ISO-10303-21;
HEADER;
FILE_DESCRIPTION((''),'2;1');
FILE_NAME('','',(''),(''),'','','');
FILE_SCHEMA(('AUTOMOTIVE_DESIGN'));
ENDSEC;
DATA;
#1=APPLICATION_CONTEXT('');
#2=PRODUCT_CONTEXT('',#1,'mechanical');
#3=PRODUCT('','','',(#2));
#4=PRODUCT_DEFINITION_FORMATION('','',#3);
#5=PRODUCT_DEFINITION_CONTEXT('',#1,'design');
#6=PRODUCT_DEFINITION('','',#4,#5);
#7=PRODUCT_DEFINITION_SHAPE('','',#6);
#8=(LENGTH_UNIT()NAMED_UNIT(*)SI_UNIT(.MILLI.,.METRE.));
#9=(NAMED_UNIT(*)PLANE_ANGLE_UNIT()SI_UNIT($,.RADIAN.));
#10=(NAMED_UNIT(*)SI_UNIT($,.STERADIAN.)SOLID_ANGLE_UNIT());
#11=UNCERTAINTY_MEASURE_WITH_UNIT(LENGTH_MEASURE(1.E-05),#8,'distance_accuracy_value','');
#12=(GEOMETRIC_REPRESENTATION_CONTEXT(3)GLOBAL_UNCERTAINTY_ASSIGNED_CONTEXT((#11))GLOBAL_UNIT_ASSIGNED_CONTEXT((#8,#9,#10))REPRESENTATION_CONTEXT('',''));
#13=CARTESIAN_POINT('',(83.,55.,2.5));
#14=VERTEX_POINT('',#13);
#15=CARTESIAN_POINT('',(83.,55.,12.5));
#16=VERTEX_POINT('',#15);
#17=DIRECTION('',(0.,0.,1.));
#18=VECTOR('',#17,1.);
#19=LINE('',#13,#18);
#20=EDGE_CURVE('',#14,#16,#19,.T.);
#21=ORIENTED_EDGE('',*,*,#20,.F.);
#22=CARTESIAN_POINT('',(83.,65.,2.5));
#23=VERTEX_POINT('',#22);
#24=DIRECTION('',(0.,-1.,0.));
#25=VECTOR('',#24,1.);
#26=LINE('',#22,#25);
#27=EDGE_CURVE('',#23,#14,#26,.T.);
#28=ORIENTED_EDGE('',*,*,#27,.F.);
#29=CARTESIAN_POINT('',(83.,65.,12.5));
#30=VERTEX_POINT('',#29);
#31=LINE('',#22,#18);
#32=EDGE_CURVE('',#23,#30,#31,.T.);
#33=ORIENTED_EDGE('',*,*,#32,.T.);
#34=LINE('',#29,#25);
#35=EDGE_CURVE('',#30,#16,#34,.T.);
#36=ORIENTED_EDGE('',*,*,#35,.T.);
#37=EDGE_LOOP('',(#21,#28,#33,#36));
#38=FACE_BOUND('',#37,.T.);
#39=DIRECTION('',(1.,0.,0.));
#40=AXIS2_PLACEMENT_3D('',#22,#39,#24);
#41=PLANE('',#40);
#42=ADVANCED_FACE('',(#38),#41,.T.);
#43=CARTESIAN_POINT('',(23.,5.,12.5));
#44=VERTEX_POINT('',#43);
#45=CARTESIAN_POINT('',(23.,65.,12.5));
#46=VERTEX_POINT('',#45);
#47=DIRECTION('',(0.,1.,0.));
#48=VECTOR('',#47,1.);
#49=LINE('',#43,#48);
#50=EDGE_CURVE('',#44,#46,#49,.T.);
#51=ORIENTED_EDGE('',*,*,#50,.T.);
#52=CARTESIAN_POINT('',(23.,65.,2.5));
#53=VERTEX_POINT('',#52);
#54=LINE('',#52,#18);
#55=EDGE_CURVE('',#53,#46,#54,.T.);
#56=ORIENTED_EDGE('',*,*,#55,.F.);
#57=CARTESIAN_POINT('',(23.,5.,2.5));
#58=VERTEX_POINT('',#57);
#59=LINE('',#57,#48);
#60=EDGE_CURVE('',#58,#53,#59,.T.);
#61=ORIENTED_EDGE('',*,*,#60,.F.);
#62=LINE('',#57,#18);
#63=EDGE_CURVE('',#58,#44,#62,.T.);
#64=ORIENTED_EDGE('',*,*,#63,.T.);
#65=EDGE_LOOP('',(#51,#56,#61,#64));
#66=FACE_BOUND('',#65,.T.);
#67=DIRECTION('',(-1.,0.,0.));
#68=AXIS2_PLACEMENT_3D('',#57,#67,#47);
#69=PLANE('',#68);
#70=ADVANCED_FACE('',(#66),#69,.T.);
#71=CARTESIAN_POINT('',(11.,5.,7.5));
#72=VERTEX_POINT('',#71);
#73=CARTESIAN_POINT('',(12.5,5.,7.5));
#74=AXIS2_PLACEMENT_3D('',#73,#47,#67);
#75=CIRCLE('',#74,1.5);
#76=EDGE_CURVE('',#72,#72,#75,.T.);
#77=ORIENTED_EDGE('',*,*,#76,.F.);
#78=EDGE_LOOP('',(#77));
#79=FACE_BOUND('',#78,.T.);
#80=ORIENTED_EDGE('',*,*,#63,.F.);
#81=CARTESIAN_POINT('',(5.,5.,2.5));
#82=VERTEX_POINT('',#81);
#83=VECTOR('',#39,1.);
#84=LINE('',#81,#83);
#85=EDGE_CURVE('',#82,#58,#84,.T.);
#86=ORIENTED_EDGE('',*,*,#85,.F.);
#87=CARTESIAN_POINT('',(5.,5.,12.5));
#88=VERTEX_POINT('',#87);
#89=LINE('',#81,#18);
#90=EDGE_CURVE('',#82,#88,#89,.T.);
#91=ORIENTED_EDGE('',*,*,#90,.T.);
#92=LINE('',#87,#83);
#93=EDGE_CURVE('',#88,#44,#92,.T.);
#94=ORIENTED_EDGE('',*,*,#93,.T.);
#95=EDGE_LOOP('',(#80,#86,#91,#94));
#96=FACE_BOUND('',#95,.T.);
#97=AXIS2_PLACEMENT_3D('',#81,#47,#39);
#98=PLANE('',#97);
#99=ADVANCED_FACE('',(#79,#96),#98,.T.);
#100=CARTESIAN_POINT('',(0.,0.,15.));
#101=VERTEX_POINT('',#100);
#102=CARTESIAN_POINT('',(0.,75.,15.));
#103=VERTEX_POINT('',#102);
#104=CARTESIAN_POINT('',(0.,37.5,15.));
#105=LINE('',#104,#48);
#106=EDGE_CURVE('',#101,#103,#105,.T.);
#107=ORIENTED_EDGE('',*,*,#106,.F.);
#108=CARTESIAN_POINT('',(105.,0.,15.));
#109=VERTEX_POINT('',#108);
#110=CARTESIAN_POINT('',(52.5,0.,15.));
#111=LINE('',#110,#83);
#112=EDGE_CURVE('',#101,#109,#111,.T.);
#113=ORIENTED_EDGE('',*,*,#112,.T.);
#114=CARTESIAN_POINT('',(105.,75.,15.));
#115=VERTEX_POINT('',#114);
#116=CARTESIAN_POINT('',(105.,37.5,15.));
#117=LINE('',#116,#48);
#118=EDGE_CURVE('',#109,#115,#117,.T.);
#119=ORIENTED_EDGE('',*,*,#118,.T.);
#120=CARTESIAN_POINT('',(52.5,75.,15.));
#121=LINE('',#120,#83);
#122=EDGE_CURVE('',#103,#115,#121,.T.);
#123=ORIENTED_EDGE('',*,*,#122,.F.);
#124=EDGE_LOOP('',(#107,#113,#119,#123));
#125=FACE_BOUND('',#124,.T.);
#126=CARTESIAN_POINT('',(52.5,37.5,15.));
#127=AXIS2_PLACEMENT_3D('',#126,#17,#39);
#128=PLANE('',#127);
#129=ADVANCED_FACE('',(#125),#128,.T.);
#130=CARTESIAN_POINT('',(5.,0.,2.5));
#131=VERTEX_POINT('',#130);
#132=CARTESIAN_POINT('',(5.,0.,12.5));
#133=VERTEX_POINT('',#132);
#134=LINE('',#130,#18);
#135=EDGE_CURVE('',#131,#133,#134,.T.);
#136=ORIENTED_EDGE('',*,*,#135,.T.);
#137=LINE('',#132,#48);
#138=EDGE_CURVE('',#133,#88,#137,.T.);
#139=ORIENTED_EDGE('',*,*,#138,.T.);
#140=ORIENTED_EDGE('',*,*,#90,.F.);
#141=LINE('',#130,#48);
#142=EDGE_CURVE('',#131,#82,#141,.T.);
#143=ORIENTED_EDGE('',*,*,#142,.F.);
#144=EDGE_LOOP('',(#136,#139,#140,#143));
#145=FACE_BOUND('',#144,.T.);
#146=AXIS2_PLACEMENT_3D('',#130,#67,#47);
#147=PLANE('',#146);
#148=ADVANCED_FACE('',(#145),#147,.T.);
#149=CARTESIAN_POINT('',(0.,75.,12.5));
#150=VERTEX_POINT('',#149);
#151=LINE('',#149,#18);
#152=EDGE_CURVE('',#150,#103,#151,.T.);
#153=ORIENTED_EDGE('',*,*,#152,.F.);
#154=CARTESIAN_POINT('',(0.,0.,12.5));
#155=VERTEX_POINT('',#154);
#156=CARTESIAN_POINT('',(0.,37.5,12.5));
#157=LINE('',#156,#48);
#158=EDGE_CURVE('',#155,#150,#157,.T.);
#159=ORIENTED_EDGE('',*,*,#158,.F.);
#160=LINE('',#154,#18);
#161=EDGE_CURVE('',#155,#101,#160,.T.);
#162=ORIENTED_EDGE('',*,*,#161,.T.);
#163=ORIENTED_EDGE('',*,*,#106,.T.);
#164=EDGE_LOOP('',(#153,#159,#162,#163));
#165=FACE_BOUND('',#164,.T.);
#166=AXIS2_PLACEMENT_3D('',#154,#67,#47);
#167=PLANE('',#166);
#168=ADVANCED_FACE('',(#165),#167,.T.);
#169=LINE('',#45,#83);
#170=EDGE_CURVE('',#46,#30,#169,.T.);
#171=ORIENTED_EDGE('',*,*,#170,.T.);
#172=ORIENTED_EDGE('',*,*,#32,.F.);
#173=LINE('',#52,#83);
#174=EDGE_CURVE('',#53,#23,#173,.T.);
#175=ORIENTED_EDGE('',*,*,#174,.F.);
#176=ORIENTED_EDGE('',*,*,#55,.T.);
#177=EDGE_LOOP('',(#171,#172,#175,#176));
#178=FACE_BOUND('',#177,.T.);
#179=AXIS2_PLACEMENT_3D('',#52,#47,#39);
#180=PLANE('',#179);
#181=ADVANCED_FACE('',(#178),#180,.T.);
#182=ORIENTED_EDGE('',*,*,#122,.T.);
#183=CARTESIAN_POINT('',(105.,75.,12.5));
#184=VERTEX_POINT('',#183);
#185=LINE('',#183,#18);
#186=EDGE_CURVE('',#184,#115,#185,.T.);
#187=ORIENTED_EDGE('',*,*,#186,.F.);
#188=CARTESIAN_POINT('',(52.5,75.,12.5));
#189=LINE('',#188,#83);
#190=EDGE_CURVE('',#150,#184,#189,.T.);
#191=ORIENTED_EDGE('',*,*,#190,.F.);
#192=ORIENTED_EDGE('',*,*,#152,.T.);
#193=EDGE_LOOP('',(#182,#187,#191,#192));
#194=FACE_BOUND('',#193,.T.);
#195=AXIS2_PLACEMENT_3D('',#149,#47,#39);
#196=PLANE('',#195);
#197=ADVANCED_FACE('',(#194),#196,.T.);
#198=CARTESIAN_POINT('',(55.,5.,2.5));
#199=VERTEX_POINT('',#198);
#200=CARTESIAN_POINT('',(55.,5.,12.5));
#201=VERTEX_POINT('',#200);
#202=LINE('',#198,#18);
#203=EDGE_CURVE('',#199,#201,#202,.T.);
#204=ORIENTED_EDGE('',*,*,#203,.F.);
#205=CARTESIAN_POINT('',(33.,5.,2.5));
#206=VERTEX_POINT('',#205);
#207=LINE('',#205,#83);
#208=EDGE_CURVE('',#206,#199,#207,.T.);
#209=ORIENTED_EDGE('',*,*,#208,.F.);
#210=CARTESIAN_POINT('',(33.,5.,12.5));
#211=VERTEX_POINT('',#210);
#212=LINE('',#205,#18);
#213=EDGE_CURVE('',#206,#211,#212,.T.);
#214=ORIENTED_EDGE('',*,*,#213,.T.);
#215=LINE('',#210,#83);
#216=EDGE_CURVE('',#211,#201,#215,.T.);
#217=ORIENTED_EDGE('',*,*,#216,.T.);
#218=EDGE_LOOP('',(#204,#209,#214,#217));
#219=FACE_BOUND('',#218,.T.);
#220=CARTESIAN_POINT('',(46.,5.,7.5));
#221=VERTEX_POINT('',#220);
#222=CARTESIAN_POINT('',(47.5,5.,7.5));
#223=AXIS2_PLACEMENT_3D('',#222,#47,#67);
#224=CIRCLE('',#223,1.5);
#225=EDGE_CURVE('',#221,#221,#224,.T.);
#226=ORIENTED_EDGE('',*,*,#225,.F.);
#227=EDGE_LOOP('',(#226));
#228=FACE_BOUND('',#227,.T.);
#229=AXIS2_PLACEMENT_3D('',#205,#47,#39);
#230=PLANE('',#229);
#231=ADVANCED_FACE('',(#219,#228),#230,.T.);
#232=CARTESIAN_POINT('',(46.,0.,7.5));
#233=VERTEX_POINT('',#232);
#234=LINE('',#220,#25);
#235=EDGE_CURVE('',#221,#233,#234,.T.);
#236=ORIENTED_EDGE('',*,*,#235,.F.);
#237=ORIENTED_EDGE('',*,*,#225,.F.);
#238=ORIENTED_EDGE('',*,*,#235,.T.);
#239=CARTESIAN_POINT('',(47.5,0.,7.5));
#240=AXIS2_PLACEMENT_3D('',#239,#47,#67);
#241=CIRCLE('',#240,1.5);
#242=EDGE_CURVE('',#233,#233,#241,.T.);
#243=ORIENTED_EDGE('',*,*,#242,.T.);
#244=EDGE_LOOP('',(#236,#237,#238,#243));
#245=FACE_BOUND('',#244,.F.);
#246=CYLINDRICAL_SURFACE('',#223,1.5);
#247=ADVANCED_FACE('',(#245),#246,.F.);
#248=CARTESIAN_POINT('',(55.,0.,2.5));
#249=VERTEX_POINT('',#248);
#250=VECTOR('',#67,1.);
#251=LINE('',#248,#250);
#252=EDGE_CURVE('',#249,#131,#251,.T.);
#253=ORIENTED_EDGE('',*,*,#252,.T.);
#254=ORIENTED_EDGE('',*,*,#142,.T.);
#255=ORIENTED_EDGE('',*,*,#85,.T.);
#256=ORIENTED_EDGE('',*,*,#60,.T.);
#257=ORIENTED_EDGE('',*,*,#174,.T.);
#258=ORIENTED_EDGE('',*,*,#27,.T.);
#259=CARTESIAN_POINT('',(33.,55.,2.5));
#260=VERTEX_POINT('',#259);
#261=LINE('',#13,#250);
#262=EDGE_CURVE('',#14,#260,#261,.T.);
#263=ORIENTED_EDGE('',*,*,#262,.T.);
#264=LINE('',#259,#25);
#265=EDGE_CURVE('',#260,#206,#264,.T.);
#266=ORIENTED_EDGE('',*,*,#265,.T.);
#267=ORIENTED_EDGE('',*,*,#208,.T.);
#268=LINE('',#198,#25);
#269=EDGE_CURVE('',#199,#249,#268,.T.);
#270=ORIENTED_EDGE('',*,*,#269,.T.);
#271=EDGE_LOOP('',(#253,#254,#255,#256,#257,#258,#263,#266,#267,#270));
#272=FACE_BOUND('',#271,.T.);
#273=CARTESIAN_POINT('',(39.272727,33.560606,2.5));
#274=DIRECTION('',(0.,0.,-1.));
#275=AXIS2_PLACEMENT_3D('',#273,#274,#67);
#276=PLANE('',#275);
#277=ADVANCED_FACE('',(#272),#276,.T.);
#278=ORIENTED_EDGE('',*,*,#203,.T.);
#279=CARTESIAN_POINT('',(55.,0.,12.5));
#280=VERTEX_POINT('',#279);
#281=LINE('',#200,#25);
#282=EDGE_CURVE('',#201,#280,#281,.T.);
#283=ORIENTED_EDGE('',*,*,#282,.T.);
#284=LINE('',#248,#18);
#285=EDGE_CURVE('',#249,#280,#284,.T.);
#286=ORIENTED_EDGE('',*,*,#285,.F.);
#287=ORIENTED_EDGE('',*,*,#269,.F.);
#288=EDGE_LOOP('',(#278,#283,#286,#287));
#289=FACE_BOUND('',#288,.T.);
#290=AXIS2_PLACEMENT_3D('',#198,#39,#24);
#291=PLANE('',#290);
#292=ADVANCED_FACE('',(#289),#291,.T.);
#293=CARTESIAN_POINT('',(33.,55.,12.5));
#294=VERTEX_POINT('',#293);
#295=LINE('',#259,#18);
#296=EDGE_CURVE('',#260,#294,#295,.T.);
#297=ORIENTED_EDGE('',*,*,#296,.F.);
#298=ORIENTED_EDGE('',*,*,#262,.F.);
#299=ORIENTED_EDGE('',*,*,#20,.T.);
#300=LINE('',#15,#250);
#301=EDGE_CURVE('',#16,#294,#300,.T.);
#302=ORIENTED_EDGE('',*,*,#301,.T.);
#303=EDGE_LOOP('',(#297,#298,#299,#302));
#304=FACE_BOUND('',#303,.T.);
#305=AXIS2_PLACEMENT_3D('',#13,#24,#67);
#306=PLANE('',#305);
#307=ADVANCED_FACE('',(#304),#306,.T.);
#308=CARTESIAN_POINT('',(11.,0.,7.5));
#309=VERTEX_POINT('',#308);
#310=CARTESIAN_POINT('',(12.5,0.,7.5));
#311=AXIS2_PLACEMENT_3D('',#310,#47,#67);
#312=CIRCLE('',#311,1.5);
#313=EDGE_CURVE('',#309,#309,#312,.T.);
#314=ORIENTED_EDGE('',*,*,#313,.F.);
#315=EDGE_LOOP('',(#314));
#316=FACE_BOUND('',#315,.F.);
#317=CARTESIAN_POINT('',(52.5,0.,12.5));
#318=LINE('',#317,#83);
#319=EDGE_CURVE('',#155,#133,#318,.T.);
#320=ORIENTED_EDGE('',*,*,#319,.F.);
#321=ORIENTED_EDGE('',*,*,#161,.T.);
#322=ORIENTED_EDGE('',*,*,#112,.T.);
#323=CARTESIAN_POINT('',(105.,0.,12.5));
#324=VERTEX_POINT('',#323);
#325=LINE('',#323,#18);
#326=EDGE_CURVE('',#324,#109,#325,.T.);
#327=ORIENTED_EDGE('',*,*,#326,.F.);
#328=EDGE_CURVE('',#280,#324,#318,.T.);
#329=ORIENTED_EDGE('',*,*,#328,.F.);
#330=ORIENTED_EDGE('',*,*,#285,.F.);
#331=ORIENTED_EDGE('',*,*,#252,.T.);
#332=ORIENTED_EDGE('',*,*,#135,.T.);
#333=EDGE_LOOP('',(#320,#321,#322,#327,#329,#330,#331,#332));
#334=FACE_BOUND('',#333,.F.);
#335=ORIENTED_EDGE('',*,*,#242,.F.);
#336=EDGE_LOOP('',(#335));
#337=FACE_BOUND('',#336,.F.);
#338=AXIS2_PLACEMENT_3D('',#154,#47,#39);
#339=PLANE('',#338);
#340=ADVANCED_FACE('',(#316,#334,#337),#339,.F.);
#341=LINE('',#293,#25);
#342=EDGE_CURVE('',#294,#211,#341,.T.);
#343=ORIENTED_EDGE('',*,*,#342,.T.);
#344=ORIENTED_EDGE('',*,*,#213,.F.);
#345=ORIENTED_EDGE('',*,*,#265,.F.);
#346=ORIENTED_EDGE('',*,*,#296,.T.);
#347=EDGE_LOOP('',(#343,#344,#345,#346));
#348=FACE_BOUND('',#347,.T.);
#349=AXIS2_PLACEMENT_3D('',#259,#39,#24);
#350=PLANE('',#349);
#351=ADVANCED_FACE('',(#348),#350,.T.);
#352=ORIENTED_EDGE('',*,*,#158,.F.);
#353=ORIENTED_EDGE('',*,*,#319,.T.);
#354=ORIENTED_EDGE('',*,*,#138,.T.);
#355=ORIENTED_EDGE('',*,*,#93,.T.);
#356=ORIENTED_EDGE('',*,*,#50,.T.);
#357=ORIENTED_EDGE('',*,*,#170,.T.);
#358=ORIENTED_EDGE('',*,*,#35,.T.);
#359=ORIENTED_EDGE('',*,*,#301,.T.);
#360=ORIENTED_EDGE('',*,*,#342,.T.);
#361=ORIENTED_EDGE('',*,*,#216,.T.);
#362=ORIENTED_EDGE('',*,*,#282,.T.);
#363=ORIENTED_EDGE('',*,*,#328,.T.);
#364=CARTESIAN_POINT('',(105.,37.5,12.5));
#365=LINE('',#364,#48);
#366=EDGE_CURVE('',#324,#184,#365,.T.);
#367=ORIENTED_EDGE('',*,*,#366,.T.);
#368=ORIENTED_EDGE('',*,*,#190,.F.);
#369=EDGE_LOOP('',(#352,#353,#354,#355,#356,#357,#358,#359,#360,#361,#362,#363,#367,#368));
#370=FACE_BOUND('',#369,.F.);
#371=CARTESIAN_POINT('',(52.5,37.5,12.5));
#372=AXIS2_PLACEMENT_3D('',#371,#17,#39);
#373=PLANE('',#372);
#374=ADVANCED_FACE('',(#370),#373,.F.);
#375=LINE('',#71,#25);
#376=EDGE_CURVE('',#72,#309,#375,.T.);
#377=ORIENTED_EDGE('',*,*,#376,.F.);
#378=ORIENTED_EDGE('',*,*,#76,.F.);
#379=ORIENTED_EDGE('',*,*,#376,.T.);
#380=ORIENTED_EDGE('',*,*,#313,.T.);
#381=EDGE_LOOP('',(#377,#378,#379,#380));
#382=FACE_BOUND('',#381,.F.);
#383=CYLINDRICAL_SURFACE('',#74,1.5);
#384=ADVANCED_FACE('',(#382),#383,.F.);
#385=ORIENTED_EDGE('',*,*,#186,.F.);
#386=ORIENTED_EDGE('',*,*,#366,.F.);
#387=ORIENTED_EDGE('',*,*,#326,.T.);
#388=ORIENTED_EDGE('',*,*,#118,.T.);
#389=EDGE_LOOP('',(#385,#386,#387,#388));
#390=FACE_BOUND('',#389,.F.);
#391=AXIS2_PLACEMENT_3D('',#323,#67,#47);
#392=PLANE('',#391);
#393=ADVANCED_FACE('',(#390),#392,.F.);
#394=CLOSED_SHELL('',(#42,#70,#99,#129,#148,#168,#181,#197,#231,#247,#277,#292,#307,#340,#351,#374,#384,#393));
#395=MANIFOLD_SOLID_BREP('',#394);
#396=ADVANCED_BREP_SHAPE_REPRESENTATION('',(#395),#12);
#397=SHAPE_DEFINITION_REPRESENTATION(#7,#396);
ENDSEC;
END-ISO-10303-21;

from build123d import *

# Parameters (mm, degrees)
PAD_DEPTH    = 10
SKETCH002_R  = 1.5
POCKET_DEPTH = 5.001
SKETCH_W     = 105
SKETCH_H     = 75
PAD001_DEPTH = 2.5


with BuildPart() as part:
    # Sketch001 → Pad (new body)
    with BuildSketch(Plane.XY.offset(2.5)):
        Polygon((5, 0), (5, 5), (23, 5), (23, 65), (83, 65), (83, 55), (33, 55), (33, 5), (55, 5), (55, 0), align=None)
    extrude(amount=PAD_DEPTH)

    # Sketch002 → Pocket (cut, through all)
    with BuildSketch(Plane(origin=(0, 5, 2.5), x_dir=(-1, 0, 0), z_dir=(0, 1, 0))):
        with Locations((-12.5, 5)):
            Circle(SKETCH002_R)
        with Locations((-47.5, 5)):
            Circle(SKETCH002_R)
    extrude(amount=-POCKET_DEPTH, mode=Mode.SUBTRACT)

    # Sketch → Pad001 (new body)
    with BuildSketch(Plane.XY.offset(12.5)):
        with Locations((52.5, 37.5)):
            Rectangle(SKETCH_W, SKETCH_H)
    extrude(amount=PAD001_DEPTH)


solid = part.part
